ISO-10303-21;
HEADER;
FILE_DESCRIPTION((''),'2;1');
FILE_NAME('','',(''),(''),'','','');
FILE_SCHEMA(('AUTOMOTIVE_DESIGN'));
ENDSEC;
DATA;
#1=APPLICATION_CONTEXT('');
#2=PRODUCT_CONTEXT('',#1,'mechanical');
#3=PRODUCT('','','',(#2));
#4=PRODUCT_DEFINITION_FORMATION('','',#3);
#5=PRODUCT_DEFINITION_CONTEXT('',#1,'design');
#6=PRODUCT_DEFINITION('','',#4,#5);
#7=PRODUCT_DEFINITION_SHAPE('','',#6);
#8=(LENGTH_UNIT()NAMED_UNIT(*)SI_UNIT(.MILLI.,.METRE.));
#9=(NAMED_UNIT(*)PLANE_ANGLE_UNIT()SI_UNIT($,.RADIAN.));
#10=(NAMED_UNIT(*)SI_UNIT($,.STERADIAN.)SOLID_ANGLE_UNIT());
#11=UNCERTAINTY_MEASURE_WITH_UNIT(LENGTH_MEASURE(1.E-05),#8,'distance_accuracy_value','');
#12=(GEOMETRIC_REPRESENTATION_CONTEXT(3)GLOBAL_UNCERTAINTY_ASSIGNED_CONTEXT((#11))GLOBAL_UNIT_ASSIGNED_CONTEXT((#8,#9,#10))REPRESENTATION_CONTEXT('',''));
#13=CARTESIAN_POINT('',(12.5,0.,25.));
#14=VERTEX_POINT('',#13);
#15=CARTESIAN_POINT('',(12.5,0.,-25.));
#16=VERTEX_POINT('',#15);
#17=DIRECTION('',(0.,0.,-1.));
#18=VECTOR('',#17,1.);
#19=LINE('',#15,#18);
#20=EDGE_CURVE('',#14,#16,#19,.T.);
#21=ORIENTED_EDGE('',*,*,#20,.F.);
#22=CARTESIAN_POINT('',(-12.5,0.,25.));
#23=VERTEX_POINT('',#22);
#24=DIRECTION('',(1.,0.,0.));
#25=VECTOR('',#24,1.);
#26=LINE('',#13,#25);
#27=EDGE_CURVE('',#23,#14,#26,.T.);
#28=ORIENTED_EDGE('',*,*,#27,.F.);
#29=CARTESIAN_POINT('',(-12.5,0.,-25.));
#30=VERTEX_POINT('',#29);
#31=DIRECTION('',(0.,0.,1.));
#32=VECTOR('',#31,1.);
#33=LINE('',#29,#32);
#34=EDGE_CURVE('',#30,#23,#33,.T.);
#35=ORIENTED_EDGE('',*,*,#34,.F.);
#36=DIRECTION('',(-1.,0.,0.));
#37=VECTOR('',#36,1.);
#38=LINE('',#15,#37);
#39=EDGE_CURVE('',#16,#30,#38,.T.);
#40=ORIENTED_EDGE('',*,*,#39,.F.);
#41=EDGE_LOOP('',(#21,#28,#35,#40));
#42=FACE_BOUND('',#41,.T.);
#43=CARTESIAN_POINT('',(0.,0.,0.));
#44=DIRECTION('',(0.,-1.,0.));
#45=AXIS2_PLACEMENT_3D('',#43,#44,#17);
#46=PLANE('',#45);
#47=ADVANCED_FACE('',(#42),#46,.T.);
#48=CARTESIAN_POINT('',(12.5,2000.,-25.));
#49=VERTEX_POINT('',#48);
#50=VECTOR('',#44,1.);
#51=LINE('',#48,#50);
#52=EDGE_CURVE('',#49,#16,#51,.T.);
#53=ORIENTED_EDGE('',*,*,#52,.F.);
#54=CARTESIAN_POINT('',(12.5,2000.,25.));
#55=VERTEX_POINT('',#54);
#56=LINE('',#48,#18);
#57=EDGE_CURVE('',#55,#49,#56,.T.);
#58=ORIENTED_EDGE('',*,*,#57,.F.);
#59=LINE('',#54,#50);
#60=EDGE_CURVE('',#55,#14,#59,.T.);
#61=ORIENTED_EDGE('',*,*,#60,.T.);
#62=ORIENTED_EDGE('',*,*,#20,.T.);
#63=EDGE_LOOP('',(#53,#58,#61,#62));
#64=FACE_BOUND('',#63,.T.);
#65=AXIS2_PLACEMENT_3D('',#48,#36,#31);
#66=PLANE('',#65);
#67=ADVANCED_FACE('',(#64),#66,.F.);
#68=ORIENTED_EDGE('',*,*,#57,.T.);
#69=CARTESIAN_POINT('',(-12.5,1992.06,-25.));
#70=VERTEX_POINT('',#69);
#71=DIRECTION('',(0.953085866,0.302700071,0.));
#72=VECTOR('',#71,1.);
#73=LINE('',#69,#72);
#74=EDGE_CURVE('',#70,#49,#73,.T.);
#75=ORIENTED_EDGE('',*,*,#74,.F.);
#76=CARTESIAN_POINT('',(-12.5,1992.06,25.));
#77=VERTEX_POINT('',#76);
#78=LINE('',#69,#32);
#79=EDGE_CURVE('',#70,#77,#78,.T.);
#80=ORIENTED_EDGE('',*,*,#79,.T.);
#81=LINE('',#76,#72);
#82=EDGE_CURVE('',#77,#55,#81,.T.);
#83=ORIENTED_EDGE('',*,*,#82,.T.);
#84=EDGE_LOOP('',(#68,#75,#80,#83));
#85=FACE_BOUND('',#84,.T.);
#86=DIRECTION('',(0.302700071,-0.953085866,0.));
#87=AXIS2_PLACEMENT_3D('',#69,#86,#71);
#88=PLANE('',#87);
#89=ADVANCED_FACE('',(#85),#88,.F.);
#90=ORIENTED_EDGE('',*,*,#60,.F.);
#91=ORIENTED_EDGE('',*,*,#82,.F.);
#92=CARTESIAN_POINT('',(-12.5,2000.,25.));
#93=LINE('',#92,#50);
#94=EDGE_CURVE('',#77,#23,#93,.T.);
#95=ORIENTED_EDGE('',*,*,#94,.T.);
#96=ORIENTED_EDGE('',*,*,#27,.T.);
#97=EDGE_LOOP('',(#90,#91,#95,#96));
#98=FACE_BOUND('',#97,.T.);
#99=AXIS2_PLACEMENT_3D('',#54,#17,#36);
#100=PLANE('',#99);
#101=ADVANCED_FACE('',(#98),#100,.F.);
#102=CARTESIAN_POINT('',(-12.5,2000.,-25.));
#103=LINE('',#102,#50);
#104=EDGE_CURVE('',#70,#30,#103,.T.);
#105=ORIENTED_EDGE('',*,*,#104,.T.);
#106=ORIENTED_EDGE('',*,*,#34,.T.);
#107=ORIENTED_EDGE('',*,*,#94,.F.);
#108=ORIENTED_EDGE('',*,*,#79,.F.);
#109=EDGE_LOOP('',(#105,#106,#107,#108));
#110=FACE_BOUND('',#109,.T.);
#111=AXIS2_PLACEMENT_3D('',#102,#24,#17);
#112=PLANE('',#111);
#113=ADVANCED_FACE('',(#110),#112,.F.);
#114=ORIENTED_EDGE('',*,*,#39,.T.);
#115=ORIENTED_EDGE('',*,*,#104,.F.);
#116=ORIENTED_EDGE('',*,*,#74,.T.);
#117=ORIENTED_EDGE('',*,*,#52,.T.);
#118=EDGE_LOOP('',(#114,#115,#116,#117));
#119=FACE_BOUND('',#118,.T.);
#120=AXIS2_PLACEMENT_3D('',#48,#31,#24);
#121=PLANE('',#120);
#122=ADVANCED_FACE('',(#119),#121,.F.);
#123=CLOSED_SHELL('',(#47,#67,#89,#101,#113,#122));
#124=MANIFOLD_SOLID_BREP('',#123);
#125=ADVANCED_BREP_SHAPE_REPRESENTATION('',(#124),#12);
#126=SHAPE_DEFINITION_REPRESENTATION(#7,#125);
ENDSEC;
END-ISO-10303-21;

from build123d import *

# Parameters (mm, degrees)
SKETCH_1_W          = 25
SKETCH_1_H          = 50
EXTRUDE_1_DEPTH     = 2000
CUT_EXTRUDE_1_DEPTH = 50


with BuildPart() as part:
    # Эскиз1 → Бобышка-Вытянуть1 (new body)
    with BuildSketch(Plane(origin=(0, 0, 0), x_dir=(1, 0, 0), z_dir=(0, 1, 0))):
        Rectangle(SKETCH_1_W, SKETCH_1_H)
    extrude(amount=EXTRUDE_1_DEPTH)

    # Эскиз2 → Вырез-Вытянуть1 (cut)
    with BuildSketch(Plane.XY.offset(25)):
        Polygon((-12.5, 2000), (-12.5, 1992.06), (12.5, 2000), align=None)
    extrude(amount=-CUT_EXTRUDE_1_DEPTH, mode=Mode.SUBTRACT)


solid = part.part
